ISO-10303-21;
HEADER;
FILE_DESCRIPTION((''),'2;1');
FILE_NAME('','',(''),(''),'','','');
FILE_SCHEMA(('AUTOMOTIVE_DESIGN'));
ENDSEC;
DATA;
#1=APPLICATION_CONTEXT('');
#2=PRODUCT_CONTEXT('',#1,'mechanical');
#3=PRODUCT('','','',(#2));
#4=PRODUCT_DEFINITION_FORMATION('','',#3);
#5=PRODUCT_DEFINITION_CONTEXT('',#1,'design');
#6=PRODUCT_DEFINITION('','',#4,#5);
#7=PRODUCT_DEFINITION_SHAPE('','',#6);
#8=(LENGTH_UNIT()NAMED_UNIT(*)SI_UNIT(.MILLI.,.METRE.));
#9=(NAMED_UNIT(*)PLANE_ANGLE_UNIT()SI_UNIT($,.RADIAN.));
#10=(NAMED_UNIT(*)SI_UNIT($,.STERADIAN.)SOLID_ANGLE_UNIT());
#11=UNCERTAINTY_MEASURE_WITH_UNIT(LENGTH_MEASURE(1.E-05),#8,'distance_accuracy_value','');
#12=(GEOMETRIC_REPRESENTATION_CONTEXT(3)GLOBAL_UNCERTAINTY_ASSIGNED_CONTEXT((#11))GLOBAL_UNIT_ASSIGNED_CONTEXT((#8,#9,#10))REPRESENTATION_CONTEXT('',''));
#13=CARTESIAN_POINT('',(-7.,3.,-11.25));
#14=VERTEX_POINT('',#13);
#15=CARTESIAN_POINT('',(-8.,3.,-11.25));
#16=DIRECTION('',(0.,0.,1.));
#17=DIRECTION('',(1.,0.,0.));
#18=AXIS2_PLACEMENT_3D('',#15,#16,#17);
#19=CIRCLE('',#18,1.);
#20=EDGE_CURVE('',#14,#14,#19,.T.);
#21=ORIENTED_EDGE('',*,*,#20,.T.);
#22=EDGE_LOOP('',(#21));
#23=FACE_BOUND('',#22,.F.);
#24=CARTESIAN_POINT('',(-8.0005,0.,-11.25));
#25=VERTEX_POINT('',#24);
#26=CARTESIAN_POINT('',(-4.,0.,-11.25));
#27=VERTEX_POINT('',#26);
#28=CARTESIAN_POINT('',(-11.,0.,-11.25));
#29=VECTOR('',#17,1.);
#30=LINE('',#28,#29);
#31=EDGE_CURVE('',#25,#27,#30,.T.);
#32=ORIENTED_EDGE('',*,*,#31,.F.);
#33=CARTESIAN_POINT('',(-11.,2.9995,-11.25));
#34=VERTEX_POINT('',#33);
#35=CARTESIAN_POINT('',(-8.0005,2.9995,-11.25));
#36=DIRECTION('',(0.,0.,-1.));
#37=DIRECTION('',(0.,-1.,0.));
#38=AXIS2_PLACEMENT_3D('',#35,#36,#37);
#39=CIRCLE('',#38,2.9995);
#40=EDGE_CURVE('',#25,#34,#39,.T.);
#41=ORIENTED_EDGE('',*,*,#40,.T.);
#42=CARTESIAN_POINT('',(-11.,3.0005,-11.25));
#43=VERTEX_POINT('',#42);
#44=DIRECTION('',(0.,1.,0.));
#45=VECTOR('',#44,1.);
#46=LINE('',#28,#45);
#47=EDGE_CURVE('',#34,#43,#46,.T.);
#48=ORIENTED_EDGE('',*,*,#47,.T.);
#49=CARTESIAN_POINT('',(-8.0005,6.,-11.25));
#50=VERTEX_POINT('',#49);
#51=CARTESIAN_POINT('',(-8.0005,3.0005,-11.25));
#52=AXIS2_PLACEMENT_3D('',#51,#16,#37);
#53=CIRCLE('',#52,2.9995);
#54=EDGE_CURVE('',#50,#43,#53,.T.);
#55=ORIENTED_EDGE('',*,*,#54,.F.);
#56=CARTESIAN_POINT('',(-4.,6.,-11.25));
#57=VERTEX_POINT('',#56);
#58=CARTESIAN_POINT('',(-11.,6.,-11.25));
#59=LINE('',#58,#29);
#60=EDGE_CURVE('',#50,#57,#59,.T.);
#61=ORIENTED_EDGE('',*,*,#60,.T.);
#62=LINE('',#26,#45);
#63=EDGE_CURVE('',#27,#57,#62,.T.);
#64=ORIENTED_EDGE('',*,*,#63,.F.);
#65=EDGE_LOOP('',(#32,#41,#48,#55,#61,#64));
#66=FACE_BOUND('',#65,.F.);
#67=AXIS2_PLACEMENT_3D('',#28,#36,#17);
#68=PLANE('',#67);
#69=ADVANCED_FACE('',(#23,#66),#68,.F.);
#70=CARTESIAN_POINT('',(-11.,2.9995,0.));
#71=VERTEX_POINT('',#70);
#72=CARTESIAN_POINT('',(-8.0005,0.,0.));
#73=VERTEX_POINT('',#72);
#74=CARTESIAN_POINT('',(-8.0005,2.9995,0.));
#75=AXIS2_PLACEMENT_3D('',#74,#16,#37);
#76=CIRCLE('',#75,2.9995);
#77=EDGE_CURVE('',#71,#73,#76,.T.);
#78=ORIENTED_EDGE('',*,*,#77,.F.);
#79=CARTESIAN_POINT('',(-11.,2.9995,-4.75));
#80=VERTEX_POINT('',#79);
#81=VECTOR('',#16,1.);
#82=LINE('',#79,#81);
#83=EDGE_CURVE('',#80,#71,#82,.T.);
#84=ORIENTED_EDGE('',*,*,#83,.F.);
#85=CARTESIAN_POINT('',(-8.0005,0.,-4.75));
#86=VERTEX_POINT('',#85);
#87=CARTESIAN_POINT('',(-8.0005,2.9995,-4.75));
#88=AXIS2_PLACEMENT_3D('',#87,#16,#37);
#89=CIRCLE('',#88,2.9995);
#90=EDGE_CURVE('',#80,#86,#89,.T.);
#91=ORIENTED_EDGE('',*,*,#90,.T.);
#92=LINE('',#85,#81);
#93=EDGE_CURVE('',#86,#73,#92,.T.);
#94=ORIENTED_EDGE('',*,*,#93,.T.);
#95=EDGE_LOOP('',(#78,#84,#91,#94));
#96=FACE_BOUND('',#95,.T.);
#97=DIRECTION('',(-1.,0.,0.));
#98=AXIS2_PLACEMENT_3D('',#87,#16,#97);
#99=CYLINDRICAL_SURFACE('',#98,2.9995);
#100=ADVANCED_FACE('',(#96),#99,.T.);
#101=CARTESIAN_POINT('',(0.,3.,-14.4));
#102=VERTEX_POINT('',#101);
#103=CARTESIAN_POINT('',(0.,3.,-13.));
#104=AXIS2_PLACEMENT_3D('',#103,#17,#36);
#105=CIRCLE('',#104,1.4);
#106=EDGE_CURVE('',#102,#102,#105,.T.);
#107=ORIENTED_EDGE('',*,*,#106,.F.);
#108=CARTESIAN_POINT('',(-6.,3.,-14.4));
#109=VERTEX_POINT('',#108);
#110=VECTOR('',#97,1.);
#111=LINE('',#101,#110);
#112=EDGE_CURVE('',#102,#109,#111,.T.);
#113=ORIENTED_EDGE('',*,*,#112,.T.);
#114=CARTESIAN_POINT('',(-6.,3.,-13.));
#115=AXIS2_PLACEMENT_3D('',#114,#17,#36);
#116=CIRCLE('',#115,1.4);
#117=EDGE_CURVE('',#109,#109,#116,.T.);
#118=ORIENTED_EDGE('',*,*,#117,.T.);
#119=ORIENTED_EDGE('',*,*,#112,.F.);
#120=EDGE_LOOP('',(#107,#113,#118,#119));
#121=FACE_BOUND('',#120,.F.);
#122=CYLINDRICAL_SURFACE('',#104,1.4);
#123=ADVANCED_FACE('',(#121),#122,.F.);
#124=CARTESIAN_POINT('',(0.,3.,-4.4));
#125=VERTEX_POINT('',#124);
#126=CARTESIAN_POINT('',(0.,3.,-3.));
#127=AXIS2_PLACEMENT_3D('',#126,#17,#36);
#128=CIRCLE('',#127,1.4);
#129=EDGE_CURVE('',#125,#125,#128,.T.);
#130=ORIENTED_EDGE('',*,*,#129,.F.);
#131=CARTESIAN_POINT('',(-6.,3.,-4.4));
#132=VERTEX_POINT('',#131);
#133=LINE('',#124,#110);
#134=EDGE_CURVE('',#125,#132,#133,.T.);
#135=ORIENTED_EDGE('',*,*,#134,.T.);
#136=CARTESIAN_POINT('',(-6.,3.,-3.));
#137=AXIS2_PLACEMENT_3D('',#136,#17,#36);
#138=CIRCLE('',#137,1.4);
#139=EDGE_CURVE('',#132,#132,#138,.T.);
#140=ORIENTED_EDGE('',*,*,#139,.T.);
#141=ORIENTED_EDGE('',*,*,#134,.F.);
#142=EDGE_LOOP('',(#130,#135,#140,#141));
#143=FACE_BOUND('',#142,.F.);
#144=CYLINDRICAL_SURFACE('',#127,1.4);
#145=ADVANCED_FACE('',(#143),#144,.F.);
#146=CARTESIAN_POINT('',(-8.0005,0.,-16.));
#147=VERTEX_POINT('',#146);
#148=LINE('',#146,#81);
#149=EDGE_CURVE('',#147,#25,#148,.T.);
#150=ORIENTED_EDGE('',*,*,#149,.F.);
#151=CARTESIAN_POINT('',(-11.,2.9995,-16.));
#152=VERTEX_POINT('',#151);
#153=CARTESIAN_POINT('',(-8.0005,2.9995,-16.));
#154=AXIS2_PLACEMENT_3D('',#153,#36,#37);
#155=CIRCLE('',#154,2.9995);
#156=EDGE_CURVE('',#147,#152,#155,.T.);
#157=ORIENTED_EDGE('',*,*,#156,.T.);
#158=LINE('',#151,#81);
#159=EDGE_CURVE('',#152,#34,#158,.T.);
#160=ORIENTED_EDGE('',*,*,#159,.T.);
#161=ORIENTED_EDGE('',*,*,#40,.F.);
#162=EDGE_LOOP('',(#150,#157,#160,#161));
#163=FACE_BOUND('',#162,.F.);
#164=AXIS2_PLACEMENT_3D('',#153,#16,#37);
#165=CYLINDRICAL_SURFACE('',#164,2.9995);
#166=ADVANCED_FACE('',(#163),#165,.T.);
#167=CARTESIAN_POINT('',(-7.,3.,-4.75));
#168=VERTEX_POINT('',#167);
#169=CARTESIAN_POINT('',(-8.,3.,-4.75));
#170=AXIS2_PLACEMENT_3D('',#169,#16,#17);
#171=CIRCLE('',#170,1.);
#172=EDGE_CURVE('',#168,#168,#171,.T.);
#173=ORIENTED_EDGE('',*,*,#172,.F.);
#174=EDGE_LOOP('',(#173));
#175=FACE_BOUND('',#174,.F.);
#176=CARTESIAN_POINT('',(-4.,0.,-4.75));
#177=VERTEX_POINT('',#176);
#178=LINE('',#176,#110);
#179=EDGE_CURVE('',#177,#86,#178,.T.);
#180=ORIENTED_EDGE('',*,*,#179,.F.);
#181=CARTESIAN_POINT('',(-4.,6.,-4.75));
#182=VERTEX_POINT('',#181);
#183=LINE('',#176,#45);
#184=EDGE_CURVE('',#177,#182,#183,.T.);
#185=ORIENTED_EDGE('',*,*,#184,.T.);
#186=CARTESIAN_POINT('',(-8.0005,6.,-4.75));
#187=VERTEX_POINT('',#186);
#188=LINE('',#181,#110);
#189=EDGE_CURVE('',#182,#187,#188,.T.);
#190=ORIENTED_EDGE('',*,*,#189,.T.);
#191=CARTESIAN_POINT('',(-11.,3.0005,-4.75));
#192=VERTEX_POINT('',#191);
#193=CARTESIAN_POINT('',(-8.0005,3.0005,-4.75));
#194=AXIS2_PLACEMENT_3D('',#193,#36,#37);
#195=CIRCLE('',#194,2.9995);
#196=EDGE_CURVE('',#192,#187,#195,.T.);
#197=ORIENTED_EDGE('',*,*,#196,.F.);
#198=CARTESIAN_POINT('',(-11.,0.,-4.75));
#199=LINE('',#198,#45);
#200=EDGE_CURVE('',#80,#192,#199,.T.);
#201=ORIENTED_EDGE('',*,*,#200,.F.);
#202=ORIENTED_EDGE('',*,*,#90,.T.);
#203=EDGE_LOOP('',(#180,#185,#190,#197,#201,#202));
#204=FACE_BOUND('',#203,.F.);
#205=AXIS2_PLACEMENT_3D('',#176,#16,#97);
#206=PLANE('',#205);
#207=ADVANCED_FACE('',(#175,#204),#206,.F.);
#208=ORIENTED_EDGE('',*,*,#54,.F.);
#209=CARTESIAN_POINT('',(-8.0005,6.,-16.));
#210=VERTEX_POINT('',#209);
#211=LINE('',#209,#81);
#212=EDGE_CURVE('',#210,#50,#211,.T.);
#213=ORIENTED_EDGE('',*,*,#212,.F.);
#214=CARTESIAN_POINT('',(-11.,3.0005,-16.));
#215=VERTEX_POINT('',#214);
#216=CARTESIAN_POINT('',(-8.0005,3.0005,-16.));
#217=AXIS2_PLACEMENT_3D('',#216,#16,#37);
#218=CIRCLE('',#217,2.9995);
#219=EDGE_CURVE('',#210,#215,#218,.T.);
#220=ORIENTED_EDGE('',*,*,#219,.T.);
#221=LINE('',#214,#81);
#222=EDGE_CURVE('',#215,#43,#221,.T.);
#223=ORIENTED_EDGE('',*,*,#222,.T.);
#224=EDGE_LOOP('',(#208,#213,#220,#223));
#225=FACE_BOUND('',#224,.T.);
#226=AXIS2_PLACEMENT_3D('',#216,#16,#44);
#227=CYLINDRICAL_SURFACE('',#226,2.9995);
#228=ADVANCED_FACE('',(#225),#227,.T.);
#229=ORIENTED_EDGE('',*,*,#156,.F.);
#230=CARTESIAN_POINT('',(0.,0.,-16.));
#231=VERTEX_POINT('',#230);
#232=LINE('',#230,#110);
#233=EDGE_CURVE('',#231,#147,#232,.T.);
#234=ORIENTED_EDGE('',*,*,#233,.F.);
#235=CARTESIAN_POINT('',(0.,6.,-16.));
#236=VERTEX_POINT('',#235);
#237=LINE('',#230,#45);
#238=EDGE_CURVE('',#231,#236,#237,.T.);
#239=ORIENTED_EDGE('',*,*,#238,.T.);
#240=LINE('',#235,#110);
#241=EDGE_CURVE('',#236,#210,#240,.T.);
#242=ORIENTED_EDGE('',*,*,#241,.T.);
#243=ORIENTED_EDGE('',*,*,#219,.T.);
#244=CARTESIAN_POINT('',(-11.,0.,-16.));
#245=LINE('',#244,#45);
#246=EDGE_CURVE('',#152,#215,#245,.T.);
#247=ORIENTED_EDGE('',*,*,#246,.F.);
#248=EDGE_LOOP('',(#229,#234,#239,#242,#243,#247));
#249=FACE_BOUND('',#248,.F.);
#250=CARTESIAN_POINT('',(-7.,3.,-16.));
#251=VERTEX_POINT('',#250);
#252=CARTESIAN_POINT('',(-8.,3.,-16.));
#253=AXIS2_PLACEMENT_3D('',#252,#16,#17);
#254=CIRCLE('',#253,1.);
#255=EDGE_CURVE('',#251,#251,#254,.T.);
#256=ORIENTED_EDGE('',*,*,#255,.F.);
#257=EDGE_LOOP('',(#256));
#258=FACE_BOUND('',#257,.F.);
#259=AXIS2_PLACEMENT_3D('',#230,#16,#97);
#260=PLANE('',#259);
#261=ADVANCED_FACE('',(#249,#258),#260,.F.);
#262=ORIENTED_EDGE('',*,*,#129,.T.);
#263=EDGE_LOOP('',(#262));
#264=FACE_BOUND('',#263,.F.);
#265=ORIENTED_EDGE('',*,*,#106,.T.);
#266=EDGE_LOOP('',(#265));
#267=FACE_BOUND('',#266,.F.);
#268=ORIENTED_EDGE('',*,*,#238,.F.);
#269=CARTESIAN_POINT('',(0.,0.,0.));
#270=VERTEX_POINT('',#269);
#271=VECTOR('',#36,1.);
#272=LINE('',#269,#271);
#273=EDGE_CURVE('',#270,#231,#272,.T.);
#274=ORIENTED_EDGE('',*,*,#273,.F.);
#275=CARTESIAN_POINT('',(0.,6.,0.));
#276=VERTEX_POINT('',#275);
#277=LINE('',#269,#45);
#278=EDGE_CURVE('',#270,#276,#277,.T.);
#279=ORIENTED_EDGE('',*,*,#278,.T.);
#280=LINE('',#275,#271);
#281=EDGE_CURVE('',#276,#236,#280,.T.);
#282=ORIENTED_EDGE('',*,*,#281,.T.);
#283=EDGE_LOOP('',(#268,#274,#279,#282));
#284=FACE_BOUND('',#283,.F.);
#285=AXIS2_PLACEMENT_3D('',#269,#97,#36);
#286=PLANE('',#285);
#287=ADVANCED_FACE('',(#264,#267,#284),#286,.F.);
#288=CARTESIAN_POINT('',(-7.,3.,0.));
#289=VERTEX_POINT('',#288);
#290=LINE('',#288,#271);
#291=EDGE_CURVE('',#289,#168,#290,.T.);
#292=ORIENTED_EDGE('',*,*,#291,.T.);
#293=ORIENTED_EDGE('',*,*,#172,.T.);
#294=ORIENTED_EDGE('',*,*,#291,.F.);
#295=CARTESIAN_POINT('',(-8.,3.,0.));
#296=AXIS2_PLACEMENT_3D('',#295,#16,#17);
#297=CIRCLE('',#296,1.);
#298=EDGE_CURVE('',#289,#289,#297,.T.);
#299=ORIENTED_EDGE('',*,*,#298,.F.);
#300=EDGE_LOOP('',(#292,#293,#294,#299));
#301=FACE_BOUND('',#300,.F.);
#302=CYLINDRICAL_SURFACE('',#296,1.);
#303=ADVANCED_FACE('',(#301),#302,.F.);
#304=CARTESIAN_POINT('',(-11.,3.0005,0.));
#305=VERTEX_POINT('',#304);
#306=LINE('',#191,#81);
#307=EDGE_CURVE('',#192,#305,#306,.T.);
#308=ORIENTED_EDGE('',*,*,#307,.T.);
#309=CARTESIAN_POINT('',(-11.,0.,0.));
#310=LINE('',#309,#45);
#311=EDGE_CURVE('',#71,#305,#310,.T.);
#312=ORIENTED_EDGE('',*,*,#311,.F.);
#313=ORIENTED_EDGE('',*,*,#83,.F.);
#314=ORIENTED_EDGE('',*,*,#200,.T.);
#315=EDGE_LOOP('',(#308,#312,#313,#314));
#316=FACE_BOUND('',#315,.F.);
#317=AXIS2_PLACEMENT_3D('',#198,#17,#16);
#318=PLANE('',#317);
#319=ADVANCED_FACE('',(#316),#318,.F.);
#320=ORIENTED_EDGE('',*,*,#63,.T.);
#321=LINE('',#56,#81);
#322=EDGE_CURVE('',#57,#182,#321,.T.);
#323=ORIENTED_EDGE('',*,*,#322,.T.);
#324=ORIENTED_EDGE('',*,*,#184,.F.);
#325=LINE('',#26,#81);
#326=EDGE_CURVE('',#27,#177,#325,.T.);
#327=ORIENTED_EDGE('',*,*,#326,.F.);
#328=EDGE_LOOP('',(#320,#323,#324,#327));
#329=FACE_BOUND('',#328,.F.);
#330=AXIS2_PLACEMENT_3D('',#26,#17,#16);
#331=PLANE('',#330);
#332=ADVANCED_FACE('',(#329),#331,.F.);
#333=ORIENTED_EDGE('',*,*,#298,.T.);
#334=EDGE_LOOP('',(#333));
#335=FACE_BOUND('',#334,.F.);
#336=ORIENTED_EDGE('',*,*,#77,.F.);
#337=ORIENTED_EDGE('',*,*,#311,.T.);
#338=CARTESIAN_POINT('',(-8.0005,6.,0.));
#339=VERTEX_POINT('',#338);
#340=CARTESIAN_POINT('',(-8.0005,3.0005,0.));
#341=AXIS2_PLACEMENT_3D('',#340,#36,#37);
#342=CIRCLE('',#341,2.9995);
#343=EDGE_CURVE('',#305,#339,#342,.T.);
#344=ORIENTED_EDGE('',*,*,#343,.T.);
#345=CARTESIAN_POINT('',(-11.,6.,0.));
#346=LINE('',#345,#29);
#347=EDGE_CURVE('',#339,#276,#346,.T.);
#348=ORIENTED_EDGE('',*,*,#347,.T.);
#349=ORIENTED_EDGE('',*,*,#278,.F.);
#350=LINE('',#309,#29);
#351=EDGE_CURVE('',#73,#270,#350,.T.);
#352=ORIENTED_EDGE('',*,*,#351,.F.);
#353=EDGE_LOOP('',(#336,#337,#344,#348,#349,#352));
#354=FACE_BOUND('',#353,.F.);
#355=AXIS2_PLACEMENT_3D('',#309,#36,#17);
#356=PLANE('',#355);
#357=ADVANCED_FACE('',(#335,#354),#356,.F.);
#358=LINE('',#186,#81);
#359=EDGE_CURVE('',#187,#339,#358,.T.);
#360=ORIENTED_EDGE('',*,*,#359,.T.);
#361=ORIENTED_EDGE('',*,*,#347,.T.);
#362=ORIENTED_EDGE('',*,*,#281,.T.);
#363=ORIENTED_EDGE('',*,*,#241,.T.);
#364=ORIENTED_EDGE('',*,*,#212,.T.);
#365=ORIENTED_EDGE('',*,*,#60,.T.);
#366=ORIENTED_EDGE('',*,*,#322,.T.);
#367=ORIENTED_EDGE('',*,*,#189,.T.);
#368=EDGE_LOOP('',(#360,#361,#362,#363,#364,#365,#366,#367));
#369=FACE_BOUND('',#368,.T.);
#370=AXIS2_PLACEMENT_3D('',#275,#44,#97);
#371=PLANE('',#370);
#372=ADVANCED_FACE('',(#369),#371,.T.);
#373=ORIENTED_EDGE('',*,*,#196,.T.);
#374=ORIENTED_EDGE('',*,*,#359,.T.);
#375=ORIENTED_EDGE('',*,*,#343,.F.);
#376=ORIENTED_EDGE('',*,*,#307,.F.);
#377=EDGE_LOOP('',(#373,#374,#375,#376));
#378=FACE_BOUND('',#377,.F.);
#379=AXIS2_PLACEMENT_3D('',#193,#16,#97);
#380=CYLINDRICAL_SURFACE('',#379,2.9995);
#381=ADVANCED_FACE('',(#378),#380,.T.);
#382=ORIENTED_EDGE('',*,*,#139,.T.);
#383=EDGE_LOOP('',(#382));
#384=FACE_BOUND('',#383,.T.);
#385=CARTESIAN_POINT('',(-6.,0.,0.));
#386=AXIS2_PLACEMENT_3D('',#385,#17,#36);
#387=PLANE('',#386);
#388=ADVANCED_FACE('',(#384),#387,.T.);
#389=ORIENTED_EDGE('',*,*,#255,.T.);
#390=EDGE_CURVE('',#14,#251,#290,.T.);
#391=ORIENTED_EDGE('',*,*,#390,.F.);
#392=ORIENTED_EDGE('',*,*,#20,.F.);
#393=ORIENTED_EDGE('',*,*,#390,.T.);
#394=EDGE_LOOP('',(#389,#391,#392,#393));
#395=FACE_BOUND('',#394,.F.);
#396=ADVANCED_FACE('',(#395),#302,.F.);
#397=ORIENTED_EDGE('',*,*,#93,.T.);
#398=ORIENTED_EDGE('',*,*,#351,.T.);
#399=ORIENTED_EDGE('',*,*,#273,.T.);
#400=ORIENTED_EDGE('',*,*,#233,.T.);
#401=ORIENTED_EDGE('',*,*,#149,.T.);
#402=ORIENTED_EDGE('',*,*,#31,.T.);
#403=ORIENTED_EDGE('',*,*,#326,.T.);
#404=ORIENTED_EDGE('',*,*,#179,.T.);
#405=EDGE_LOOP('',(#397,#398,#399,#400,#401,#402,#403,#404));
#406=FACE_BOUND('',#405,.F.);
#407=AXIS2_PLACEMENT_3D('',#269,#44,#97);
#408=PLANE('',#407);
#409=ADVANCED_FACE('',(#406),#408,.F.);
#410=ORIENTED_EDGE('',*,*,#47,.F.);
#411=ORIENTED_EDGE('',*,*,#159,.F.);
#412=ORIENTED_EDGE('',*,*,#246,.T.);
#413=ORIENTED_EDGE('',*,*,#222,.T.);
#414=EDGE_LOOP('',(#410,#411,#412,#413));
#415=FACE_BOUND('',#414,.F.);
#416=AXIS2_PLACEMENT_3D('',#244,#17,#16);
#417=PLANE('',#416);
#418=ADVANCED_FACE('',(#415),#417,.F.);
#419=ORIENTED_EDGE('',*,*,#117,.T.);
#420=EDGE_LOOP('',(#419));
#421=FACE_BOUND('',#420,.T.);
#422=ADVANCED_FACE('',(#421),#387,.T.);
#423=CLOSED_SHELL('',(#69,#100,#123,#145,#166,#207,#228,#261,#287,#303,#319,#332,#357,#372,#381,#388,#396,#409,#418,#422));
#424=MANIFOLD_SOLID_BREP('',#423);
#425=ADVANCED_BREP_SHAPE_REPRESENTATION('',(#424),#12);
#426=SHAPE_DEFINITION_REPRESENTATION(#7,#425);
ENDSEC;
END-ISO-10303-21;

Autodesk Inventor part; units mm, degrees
ref_plane "YZ Plane" through (0, 0, 0) normal (1, 0, 0) x (0, 1, 0)
ref_plane "XZ Plane" through (0, 0, 0) normal (0, 1, 0) x (-1, 0, 0)
ref_plane "XY Plane" through (0, 0, 0) normal (0, 0, 1) x (1, 0, 0)
sketch "Sketch7" plane through (0, 0, 0) normal (0, 1, 0) x (-1, 0, 0)
  line L0 (0, 0) -> (0, -16)
  line L1 (0, -16) -> (11, -16)
  line L2 (11, -16) -> (11, -11.25)
  line L3 (11, -11.25) -> (4, -11.25)
  line L4 (4, -11.25) -> (4, -4.75)
  line L5 (4, -4.75) -> (11, -4.75)
  line L6 (11, -4.75) -> (11, 0)
  line L7 (11, 0) -> (0, 0)
  dimension "d25" = 16
  dimension "d26" = 6.5
  dimension "d27" = 7
  dimension "d28" = 4
extrude "Extrusion7" add sketch "Sketch7" along normal blind 6
sketch "Sketch8" plane through (0, 0, 0) normal (1, 0, 0) x (0, 0, -1)
  line L0 (0, 0) -> (16, 0) projected
  line L1 (16, 0) -> (16, 6) projected
  line L2 (16, 6) -> (0, 6) projected
  line L3 (0, 0) -> (0, 6) projected
  line L4 (4.75, 6) -> (11.25, 6) construction
  line L5 (8, 6) -> (8, 0) construction
  line L6 (11.25, 0) -> (4.75, 0) construction
  line L7 (16, 0) -> (16, 6) construction
  line L8 (16, 3) -> (0, 3) construction
  line L9 (0, 0) -> (0, 6) construction
  circle A0 centre (3, 3) radius 1.4
  circle A1 centre (13, 3) radius 1.4
  dimension "d31" = 2.8
  dimension "d32" = 10
extrude "Extrusion8" cut sketch "Sketch8" against normal blind 6 contours A0 | A1
sketch "Sketch9" plane through (-11, 0, 0) normal (0, 0, 1) x (1, 0, 0)
  line L0 (0, 0) -> (11, 0) projected
  line L1 (11, 0) -> (11, 6) projected
  line L2 (11, 6) -> (0, 6) projected
  line L3 (0, 0) -> (0, 6) projected
  line L4 (11, 0) -> (11, 6) construction
  line L5 (11, 3) -> (0, 3) construction
  circle A0 centre (3, 3) radius 1
  dimension "d35" = 2
  dimension "d36" = 3
extrude "Extrusion9" cut sketch "Sketch9" against normal through all contours A0
fillet "Fillet2" radius 3 4 edges at (-11, 6, -13.625) (-11, 0, -13.625) (-11, 6, -2.375) (-11, 0, -2.375)
properties part number "drzak_pritlaku"
